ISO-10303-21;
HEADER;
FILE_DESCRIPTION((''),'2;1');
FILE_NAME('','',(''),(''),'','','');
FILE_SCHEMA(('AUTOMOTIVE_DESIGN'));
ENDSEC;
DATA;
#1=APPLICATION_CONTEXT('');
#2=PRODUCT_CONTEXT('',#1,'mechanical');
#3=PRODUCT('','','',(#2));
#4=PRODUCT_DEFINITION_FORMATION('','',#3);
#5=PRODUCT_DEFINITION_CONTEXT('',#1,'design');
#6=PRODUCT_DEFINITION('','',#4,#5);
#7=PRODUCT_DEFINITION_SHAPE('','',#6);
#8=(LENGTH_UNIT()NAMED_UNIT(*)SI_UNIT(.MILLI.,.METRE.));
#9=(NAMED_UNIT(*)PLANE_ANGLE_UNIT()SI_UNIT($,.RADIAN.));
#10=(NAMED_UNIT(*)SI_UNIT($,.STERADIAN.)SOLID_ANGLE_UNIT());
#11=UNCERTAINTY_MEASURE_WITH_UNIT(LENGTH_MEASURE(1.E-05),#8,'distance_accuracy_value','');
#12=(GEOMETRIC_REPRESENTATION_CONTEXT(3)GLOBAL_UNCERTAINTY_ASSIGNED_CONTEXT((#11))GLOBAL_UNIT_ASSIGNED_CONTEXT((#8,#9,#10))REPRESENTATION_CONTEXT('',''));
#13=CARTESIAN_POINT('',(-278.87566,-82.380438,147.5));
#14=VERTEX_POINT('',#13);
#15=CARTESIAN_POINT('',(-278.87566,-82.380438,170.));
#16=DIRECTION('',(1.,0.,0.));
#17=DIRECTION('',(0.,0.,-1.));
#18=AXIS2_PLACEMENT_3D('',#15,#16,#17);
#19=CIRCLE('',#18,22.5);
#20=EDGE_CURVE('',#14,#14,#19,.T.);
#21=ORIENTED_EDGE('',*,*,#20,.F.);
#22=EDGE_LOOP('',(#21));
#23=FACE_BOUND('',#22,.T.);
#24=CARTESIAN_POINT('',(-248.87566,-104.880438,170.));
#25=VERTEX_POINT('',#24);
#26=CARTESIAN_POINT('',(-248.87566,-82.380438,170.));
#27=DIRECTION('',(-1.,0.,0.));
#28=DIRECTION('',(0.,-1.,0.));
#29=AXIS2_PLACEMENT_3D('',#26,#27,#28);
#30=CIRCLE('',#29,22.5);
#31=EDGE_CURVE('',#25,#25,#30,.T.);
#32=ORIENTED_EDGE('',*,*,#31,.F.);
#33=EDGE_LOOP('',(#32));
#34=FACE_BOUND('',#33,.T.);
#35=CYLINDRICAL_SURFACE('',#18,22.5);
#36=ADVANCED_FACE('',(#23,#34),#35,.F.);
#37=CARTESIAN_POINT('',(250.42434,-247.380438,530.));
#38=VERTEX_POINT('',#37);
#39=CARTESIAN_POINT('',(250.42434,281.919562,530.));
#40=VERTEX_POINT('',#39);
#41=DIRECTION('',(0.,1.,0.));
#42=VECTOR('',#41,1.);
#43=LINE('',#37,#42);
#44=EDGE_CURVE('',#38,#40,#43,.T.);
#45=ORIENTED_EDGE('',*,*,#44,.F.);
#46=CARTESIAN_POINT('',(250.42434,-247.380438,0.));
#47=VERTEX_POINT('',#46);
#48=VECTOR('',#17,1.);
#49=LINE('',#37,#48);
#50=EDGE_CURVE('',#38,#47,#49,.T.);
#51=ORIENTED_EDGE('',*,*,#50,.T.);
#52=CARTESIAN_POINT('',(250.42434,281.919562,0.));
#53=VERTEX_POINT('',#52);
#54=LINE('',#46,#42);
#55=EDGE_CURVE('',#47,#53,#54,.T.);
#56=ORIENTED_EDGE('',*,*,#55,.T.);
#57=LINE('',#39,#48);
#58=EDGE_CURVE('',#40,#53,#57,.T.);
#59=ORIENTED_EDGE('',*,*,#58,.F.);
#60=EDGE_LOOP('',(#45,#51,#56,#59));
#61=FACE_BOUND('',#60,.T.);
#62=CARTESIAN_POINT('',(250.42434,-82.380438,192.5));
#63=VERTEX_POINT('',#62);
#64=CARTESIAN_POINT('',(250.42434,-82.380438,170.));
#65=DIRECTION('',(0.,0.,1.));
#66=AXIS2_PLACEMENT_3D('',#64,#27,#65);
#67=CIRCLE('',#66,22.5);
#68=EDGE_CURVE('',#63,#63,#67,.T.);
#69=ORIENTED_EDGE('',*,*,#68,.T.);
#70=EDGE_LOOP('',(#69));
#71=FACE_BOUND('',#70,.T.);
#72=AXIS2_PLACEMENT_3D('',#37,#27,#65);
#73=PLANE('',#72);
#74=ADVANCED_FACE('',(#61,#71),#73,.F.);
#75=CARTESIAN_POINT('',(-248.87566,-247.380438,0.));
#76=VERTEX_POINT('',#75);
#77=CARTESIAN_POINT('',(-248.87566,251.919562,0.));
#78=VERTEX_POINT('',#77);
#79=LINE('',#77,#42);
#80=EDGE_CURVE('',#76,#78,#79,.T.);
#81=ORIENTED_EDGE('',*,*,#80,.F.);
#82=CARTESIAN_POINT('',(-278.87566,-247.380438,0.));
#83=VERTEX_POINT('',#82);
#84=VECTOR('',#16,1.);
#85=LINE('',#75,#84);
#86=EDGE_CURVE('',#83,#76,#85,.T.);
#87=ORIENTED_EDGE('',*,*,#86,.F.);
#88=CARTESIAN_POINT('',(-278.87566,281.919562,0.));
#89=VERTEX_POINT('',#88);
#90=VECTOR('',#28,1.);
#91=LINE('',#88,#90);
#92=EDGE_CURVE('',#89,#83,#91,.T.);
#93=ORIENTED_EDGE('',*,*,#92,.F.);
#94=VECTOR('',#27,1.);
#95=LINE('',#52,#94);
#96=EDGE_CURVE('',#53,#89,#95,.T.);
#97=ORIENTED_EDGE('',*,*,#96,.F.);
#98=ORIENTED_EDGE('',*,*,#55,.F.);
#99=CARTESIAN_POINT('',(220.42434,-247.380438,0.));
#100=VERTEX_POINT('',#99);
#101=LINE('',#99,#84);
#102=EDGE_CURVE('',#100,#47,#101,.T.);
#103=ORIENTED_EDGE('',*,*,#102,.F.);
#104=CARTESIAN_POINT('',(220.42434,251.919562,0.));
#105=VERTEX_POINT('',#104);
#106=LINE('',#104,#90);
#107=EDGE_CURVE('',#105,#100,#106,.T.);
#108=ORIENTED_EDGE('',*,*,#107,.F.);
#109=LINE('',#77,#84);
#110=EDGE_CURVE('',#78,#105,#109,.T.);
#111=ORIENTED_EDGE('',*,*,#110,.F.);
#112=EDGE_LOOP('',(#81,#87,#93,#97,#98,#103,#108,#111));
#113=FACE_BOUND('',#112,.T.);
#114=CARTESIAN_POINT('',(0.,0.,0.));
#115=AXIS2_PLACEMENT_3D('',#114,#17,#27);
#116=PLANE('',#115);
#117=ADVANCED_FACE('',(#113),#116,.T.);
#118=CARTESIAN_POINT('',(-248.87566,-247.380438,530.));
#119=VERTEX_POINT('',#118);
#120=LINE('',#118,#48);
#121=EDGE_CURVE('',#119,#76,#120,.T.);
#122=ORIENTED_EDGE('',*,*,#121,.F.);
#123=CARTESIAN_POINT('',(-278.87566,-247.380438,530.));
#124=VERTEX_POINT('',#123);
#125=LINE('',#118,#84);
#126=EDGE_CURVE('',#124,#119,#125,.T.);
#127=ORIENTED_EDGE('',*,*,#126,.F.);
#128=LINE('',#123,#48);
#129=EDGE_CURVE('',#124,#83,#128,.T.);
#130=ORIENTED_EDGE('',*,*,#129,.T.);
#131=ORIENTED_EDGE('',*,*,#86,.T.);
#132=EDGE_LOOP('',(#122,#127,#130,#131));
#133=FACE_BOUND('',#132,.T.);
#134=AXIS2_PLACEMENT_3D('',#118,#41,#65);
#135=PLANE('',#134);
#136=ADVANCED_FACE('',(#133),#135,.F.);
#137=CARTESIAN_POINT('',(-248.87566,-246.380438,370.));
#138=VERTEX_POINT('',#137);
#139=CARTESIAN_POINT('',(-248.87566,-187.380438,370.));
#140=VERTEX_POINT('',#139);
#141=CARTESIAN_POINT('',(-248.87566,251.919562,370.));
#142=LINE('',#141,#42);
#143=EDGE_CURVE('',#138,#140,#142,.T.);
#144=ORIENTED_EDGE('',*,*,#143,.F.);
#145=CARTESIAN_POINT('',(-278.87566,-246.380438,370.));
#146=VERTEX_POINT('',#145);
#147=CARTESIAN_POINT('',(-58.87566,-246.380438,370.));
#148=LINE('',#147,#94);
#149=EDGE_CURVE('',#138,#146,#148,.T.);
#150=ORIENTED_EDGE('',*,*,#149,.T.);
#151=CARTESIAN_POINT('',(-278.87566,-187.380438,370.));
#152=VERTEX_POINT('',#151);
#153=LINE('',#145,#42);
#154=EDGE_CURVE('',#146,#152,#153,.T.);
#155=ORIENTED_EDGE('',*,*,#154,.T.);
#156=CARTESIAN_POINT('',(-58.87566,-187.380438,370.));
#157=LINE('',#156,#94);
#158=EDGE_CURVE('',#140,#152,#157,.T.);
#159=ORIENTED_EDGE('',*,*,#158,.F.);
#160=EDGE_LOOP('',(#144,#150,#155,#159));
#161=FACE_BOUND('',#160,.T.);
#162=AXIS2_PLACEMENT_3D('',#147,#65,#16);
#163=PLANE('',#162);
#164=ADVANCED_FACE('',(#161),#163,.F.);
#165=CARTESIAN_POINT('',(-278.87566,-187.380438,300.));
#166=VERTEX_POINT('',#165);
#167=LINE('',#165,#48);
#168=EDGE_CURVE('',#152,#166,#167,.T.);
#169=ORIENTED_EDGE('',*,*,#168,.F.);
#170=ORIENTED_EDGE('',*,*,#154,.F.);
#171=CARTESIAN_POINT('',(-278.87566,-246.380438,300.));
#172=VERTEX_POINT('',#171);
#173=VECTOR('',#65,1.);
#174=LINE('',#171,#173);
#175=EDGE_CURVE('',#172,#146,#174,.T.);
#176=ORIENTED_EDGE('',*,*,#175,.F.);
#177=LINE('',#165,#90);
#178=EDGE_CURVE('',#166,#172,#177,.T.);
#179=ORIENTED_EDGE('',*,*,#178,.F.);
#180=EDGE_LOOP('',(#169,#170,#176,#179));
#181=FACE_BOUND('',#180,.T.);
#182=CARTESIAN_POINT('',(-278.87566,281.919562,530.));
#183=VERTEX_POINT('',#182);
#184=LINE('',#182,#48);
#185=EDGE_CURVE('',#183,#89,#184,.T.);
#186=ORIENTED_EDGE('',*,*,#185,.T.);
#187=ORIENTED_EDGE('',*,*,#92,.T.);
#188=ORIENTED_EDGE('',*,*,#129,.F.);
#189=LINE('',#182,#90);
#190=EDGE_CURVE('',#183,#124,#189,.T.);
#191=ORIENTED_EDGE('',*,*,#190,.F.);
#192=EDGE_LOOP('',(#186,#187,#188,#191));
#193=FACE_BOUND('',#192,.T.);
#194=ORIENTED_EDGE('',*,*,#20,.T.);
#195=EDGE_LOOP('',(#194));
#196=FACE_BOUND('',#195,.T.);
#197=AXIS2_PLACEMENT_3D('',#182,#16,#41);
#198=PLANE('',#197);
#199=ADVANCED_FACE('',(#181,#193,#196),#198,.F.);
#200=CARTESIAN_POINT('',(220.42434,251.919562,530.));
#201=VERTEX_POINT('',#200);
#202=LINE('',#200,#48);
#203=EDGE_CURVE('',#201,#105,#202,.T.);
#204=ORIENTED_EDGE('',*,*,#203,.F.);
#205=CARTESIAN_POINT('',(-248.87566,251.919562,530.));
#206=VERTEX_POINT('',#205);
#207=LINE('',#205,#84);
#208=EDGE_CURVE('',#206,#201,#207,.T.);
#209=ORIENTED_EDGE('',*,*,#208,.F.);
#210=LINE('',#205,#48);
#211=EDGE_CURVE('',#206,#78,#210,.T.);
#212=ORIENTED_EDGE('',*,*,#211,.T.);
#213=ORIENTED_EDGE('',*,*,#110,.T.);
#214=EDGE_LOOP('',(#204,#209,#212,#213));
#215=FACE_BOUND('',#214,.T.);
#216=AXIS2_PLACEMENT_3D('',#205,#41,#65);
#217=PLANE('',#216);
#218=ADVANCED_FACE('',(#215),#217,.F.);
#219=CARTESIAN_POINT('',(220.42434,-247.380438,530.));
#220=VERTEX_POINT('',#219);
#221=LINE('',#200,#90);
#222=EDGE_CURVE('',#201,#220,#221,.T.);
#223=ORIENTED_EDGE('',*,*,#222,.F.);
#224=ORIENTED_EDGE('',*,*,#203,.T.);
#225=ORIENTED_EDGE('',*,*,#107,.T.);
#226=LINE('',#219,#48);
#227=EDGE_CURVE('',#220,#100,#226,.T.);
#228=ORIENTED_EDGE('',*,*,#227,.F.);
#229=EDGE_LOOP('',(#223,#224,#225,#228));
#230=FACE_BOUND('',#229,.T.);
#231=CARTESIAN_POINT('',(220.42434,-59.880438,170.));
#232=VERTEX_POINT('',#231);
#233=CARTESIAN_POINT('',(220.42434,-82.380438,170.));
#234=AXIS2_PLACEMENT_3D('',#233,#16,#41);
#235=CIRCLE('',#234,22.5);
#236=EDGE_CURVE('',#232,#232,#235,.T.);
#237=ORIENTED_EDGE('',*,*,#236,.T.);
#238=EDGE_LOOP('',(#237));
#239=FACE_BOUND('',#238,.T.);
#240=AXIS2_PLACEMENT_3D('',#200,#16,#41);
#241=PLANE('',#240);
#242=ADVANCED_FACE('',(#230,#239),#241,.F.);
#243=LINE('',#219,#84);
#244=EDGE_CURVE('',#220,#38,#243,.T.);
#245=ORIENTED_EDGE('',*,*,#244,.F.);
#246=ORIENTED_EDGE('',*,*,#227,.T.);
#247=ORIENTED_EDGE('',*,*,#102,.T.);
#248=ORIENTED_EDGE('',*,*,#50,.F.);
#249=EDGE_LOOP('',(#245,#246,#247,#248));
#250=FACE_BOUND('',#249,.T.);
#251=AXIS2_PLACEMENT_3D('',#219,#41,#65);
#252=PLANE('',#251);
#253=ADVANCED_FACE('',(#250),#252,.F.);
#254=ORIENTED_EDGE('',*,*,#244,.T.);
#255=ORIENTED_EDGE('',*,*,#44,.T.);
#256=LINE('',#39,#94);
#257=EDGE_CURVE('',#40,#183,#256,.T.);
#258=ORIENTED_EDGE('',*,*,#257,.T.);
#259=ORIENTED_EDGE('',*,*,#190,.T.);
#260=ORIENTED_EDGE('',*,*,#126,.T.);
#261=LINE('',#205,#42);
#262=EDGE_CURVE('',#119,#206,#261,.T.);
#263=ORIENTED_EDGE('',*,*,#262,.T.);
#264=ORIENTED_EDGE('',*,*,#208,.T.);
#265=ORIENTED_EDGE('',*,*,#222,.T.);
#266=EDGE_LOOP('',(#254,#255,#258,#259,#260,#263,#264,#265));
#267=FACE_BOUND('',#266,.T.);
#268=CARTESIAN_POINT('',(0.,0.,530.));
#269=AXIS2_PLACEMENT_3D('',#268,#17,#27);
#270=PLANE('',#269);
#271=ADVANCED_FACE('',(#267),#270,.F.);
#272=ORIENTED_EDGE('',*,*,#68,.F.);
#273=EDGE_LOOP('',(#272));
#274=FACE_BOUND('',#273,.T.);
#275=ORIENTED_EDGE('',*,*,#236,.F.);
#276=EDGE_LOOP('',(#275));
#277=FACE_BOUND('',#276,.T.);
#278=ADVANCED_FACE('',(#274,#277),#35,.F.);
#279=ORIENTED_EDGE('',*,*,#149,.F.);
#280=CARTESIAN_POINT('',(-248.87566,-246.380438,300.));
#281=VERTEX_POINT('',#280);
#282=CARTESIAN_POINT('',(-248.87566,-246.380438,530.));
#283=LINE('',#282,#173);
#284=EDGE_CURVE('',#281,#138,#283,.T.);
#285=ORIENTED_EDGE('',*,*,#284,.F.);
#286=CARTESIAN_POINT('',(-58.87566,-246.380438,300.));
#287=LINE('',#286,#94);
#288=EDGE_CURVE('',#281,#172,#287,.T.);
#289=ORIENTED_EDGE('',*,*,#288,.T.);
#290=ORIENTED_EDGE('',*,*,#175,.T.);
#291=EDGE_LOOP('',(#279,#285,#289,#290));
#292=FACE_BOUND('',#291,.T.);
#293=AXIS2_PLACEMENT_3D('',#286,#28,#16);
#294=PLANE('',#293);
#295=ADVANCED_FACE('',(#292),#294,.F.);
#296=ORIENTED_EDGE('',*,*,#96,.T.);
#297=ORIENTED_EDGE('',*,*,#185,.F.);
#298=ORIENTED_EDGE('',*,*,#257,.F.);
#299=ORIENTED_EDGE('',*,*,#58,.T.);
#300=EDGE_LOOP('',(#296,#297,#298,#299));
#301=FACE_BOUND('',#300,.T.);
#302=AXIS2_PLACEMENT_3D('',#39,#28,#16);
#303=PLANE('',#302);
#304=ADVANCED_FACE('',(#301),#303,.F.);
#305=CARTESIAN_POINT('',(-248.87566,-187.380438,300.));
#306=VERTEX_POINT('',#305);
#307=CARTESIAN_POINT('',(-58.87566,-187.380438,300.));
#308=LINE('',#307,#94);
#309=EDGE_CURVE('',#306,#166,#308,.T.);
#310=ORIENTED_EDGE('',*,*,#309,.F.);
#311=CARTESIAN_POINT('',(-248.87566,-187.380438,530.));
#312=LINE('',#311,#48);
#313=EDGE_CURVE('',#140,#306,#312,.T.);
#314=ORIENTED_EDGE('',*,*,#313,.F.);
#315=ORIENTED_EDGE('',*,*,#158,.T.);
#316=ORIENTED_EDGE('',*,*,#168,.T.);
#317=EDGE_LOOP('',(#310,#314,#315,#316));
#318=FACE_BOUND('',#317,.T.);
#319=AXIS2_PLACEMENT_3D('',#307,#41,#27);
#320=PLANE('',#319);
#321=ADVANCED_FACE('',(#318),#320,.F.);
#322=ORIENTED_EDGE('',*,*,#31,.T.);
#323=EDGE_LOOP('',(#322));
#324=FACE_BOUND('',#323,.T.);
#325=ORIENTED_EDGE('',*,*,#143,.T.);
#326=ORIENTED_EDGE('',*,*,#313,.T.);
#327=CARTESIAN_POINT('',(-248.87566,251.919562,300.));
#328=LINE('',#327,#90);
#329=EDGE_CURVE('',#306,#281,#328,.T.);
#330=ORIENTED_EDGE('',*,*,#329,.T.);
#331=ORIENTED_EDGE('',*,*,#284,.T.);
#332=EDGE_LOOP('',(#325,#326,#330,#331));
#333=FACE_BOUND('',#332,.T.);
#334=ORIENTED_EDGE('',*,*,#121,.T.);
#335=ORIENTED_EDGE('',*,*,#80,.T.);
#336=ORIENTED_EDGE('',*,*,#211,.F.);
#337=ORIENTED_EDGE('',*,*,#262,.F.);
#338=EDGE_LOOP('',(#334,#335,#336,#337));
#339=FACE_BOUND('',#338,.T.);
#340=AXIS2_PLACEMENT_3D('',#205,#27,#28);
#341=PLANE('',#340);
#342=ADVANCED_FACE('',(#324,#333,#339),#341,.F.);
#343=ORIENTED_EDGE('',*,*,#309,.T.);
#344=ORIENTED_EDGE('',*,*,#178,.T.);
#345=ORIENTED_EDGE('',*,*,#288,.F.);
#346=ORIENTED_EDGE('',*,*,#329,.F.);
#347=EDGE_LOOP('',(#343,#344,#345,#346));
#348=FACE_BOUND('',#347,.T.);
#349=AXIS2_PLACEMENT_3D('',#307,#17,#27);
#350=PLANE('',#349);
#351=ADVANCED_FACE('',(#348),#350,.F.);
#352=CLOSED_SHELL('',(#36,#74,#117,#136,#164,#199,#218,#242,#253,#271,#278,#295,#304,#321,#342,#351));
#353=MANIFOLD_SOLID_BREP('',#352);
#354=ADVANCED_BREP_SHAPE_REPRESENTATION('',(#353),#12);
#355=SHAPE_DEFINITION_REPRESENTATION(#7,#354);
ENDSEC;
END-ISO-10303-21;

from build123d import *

# Parameters (mm, degrees)
BOSS_EXTRUDE1_DEPTH     = 530
SKETCH2_R               = 22.5
CUT_EXTRUDE1_DEPTH      = 1
CUT_EXTRUDE1_DEPTH_BACK = 530.3
SKETCH3_W               = 70
SKETCH3_H               = 59
CUT_EXTRUDE2_DEPTH      = 220


with BuildPart() as part:
    # Sketch1 → Boss-Extrude1 (new body)
    with BuildSketch(Plane.XY):
        Polygon((-248.875659786, -247.380437864), (-278.875659786, -247.380437864), (-278.875659786, 281.919562136), (250.424340214, 281.919562136), (250.424340214, -247.380437864), (220.424340214, -247.380437864), (220.424340214, 251.919562136), (-248.875659786, 251.919562136), align=None)
    extrude(amount=BOSS_EXTRUDE1_DEPTH)

    # Sketch2 → Cut-Extrude1 (cut, two sides)
    with BuildSketch(Plane(origin=(250.424340214, 0, 0), x_dir=(0, 0, -1), z_dir=(1, 0, 0))) as cut_extrude1_sk:
        with Locations((-170, -82.380437864)):
            Circle(SKETCH2_R)
    extrude(amount=CUT_EXTRUDE1_DEPTH, mode=Mode.SUBTRACT)
    extrude(cut_extrude1_sk.sketch, amount=-CUT_EXTRUDE1_DEPTH_BACK, mode=Mode.SUBTRACT)

    # Sketch3 → Cut-Extrude2 (cut)
    with BuildSketch(Plane.ZY.offset(278.875659786)):
        with Locations((335, -216.880437864)):
            Rectangle(SKETCH3_W, SKETCH3_H)
    extrude(amount=-CUT_EXTRUDE2_DEPTH, mode=Mode.SUBTRACT)


solid = part.part
